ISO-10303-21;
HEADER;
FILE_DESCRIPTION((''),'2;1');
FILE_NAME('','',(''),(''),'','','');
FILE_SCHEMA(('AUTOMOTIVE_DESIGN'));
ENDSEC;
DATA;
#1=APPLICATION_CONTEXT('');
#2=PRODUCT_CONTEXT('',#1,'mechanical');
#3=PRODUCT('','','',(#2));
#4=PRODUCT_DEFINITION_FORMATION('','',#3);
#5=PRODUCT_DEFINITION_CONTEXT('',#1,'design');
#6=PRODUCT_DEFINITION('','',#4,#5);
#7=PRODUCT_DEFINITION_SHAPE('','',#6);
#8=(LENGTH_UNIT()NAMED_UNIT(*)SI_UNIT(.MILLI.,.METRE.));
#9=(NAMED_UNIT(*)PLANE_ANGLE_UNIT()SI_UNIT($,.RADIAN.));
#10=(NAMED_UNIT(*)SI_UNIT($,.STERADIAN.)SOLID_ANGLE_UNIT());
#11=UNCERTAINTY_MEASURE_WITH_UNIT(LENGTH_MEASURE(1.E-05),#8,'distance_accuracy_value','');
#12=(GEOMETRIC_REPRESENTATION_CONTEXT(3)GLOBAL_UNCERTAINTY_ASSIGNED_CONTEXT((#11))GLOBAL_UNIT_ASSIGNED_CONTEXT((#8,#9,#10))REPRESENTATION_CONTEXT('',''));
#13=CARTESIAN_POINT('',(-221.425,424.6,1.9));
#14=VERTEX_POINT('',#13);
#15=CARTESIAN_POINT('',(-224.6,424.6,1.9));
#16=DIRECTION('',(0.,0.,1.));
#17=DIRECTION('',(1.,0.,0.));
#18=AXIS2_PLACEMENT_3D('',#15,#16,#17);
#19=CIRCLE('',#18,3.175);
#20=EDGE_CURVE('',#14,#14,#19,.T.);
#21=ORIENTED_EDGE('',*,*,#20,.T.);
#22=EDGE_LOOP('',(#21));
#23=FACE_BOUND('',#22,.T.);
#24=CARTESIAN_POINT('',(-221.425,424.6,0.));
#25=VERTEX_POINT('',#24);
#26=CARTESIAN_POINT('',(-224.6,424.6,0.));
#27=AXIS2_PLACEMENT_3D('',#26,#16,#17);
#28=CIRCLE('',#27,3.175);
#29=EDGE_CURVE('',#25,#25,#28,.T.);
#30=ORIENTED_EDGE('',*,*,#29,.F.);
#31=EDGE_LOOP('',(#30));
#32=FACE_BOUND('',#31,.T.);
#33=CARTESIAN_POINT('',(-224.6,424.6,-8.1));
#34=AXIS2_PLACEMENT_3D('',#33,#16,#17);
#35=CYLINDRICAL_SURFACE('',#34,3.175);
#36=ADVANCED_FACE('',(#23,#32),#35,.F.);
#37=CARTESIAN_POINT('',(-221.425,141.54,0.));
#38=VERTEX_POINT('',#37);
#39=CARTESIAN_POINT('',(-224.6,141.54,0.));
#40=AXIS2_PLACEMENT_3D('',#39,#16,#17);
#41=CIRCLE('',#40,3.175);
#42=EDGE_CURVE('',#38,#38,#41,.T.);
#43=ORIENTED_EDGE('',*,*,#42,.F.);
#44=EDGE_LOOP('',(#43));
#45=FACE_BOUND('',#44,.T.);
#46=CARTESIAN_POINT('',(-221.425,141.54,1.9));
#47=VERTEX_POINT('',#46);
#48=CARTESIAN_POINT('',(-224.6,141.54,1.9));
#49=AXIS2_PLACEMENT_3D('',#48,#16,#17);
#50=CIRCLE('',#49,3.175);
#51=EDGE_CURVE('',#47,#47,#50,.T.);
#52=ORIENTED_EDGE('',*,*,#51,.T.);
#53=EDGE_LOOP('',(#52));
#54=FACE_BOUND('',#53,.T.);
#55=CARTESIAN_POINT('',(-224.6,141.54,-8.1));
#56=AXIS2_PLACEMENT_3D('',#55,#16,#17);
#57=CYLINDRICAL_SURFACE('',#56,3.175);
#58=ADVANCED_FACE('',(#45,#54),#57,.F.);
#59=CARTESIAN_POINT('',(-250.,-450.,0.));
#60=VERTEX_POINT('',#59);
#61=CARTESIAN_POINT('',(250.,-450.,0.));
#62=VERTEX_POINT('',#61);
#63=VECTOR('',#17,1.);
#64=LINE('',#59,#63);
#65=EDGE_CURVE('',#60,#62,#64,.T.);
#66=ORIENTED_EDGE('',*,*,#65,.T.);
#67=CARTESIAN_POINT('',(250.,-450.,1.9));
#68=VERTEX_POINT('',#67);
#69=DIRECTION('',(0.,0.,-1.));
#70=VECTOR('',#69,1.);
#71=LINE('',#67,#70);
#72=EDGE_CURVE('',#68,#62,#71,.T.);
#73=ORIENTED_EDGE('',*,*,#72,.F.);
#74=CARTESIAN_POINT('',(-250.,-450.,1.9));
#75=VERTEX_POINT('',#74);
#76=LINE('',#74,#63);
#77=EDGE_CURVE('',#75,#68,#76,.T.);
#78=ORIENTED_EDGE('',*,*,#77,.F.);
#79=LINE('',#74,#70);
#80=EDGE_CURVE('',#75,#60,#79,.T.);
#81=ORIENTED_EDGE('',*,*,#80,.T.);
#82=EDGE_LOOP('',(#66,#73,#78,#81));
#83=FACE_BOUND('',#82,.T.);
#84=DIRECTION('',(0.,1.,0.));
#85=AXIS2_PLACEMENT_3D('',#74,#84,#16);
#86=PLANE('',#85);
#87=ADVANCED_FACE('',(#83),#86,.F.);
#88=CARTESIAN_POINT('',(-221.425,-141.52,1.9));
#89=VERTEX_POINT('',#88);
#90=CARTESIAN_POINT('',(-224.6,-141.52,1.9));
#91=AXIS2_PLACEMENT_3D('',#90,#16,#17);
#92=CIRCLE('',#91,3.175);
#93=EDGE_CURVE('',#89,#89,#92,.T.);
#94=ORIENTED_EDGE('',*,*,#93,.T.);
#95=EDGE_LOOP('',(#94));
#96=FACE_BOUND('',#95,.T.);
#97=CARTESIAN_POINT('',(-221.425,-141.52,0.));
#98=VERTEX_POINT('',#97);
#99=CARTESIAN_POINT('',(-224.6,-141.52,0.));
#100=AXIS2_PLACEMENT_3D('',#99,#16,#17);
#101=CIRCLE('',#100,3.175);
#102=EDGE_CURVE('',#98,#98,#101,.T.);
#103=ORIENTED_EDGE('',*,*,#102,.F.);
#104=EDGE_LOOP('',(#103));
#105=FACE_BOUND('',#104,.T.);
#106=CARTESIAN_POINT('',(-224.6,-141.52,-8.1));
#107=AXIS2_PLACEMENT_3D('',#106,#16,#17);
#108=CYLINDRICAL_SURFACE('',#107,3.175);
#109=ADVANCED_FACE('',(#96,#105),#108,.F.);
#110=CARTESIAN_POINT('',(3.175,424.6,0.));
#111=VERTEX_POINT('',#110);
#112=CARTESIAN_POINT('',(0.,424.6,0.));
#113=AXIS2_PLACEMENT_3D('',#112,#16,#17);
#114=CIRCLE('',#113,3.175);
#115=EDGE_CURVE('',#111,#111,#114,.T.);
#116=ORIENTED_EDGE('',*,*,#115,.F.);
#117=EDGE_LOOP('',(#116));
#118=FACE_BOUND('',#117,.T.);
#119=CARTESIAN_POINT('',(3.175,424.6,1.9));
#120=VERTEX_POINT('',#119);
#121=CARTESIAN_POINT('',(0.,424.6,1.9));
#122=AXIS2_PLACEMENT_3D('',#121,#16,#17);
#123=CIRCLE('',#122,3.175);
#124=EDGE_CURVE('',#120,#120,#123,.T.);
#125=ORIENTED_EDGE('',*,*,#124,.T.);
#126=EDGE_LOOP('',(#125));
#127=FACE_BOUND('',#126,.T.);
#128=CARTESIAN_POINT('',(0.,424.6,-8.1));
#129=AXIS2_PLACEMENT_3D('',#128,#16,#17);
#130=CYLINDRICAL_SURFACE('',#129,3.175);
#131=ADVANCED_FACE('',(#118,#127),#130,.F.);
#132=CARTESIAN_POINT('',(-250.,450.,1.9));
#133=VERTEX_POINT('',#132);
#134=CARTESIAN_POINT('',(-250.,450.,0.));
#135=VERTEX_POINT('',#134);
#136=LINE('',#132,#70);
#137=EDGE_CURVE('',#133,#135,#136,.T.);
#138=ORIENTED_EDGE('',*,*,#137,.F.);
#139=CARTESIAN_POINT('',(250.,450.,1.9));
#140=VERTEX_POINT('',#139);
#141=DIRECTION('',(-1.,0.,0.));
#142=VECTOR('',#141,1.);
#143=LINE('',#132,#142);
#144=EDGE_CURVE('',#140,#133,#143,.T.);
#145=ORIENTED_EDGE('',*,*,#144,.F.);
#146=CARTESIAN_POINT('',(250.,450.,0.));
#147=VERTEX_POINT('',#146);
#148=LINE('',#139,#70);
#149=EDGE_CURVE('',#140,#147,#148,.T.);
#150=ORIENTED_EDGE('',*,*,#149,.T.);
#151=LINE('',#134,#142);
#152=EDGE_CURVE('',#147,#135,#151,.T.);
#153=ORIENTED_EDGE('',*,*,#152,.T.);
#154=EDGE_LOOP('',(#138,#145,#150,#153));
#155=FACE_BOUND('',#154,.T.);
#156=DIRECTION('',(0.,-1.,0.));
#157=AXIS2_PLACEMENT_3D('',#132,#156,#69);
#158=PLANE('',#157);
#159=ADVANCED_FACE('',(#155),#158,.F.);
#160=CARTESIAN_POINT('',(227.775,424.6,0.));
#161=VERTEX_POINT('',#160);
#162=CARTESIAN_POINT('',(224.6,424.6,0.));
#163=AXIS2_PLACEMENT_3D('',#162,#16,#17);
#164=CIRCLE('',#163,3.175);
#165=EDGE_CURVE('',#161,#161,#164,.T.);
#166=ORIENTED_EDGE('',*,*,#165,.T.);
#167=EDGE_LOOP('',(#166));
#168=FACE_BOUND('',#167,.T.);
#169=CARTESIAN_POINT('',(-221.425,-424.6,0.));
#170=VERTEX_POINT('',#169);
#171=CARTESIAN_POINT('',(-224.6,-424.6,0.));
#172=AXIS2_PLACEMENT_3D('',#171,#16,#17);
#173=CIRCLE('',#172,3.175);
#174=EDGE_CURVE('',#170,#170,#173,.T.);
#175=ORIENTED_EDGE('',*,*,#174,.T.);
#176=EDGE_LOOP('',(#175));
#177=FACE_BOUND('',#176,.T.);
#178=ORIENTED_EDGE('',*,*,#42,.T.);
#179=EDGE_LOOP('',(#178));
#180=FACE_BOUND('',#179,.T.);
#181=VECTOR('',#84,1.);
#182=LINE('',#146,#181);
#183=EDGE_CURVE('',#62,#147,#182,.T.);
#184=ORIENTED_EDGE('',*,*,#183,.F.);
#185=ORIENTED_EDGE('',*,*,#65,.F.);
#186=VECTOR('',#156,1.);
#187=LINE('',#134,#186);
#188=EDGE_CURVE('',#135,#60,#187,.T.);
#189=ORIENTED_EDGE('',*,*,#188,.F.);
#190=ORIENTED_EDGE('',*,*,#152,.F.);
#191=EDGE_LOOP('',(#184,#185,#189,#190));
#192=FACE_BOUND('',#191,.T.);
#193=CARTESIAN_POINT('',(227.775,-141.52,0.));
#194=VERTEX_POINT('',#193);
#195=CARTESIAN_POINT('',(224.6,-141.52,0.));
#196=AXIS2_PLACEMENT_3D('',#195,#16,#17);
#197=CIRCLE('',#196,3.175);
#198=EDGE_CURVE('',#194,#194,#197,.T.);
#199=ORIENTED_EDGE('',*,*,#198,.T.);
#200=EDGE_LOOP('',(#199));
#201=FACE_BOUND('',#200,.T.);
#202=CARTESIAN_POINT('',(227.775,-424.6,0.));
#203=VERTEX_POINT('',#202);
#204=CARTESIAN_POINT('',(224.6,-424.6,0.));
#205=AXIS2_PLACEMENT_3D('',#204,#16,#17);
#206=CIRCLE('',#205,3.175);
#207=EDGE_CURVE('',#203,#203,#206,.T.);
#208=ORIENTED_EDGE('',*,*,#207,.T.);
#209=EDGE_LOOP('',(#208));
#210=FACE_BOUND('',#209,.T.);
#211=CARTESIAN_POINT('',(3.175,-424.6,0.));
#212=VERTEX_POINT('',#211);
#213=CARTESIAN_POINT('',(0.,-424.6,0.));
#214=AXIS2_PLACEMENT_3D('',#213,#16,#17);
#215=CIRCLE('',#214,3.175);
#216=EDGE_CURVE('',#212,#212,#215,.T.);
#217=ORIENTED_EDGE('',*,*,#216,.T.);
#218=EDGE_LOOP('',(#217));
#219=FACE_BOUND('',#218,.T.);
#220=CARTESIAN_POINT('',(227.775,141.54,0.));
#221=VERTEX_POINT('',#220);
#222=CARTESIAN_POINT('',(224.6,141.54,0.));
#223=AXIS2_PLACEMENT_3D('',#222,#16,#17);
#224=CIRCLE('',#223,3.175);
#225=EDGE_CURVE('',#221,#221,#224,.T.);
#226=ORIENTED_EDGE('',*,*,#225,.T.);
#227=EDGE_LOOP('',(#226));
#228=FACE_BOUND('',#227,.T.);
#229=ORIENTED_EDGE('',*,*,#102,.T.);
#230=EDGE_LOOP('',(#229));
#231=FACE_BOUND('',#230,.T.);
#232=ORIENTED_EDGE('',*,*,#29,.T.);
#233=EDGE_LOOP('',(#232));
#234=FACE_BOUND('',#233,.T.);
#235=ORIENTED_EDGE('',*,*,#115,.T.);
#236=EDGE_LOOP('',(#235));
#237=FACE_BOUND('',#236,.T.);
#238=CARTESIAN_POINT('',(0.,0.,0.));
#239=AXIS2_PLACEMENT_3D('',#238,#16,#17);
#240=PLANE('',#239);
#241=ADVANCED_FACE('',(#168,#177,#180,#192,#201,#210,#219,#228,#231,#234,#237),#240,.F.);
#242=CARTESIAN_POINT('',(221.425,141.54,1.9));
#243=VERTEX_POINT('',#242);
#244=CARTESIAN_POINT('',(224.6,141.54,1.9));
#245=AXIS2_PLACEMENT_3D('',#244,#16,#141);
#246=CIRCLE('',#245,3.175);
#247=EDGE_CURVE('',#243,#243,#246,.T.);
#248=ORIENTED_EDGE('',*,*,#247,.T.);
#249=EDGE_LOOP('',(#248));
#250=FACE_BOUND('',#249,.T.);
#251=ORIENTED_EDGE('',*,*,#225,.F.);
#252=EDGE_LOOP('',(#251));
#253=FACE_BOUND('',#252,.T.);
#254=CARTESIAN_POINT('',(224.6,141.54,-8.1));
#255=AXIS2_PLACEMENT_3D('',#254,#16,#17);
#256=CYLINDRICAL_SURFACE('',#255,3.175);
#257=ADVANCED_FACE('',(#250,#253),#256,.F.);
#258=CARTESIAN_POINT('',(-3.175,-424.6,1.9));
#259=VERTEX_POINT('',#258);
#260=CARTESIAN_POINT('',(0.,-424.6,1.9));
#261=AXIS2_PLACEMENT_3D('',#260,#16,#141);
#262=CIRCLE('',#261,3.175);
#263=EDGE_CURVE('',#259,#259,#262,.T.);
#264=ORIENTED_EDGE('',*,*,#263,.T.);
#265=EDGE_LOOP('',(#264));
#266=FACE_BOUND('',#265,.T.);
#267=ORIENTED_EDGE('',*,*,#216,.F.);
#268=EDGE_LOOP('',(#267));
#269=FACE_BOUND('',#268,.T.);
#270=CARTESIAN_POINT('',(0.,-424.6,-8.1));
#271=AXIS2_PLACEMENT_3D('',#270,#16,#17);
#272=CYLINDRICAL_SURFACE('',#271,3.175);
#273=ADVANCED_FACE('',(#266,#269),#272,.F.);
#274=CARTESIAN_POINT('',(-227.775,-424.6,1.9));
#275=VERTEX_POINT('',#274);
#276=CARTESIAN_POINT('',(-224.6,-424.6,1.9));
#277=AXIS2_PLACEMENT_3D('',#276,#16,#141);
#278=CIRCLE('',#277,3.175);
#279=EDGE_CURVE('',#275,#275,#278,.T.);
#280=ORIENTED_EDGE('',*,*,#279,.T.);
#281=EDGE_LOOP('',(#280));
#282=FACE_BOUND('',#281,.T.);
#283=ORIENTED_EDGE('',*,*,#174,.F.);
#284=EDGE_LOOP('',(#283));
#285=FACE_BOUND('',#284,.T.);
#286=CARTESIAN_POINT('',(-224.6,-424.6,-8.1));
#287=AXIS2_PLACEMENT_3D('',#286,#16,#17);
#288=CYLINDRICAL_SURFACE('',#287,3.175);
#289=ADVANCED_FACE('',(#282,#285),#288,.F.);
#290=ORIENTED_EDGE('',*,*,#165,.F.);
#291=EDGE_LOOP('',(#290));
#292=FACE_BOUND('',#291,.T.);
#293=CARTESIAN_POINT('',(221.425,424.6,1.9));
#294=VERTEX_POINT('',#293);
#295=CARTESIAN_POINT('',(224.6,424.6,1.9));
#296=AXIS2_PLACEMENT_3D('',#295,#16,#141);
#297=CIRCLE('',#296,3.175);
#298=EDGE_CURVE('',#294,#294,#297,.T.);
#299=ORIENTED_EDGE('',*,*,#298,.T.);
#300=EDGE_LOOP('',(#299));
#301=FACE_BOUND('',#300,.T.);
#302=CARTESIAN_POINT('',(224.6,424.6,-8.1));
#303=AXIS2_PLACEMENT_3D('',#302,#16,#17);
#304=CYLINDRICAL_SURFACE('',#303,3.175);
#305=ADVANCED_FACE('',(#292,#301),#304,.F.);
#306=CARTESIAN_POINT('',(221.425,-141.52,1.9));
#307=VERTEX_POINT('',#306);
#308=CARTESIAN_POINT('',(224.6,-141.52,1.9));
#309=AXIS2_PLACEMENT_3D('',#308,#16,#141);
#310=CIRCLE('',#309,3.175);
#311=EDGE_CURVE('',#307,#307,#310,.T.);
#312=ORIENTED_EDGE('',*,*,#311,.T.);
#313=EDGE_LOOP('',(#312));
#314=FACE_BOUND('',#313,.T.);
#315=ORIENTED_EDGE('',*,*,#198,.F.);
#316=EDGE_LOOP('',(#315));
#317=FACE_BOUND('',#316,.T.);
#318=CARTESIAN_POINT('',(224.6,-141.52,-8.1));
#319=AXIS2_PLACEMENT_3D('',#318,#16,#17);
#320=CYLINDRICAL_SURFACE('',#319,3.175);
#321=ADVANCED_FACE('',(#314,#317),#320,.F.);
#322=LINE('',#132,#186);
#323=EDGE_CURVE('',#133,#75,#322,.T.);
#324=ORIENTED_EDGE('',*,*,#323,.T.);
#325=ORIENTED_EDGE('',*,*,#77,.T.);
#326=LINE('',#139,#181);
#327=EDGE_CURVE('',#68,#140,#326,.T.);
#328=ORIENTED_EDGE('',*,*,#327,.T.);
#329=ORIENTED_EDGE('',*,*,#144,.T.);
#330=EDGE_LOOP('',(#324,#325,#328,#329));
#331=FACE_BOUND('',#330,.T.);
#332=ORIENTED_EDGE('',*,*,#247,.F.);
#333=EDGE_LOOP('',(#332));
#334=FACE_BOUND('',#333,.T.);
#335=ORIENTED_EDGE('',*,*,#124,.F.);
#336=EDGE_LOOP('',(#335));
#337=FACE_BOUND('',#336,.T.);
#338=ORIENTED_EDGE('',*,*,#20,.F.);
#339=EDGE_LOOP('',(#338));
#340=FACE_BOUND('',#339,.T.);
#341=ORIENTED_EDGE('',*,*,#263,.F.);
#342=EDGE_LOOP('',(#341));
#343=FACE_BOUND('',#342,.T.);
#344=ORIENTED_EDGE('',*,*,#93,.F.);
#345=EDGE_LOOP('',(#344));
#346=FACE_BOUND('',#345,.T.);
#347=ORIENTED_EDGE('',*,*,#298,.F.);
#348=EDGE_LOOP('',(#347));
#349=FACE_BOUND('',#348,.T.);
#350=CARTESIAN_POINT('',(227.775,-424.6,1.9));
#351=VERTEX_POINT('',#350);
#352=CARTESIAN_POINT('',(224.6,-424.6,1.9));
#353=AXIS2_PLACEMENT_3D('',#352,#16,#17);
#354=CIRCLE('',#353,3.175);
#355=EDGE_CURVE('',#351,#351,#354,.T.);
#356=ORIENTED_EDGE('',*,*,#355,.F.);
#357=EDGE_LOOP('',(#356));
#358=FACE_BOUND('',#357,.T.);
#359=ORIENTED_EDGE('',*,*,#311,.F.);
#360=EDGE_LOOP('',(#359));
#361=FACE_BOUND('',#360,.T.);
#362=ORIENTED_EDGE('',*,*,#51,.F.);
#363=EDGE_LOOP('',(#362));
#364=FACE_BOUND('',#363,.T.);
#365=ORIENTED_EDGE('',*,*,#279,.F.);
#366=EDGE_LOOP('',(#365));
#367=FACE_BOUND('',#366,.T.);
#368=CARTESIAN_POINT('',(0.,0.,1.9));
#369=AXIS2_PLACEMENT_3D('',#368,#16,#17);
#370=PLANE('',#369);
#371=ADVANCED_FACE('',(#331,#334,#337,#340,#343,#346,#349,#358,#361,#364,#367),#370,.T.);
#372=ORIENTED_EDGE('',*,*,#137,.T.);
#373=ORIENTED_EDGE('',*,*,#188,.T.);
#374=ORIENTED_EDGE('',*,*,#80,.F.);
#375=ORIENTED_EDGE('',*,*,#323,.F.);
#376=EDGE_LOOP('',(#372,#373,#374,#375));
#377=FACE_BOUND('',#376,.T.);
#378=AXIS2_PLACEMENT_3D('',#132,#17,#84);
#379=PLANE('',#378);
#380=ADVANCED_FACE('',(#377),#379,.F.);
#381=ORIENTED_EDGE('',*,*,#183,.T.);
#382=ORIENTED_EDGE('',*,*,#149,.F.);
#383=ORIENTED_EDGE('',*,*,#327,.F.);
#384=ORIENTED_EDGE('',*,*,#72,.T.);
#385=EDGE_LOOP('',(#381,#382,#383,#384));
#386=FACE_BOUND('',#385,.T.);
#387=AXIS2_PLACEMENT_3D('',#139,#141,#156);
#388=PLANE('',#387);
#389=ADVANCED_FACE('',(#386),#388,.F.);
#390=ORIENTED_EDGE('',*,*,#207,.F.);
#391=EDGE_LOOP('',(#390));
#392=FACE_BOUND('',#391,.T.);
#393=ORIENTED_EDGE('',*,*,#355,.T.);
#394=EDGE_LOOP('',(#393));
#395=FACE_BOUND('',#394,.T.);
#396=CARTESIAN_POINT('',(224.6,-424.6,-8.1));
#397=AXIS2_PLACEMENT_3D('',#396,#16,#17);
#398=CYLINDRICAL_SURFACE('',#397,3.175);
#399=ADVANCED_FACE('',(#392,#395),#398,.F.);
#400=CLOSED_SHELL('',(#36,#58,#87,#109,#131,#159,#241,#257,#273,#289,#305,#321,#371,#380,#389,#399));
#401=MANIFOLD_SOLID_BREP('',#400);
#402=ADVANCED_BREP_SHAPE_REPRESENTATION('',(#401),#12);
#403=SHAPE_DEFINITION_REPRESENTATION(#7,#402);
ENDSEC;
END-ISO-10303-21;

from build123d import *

# Parameters (mm, degrees)
CROQUIS1_W              = 500
CROQUIS1_H              = 900
SALIENTE_EXTRUIR1_DEPTH = 1.9
CROQUIS2_R              = 3.175
CORTAR_EXTRUIR1_DEPTH   = 10


with BuildPart() as part:
    # Croquis1 → Saliente-Extruir1 (new body)
    with BuildSketch(Plane.XY):
        Rectangle(CROQUIS1_W, CROQUIS1_H)
    extrude(amount=SALIENTE_EXTRUIR1_DEPTH)

    # Croquis2 → Cortar-Extruir1 (cut)
    with BuildSketch(Plane.XY.offset(1.9)):
        with Locations((-224.6, 424.6)):
            Circle(CROQUIS2_R)
        with Locations((224.6, 424.6)):
            Circle(CROQUIS2_R)
        with Locations((224.6, -424.6)):
            Circle(CROQUIS2_R)
        with Locations((-224.6, -424.6)):
            Circle(CROQUIS2_R)
        with Locations((-224.6, 141.54)):
            Circle(CROQUIS2_R)
        with Locations((-224.6, -141.52)):
            Circle(CROQUIS2_R)
        with Locations((224.6, -141.52)):
            Circle(CROQUIS2_R)
        with Locations((224.6, 141.54)):
            Circle(CROQUIS2_R)
        with Locations((0, 424.6)):
            Circle(CROQUIS2_R)
        with Locations((0, -424.6)):
            Circle(CROQUIS2_R)
    extrude(amount=-CORTAR_EXTRUIR1_DEPTH, mode=Mode.SUBTRACT)


solid = part.part
